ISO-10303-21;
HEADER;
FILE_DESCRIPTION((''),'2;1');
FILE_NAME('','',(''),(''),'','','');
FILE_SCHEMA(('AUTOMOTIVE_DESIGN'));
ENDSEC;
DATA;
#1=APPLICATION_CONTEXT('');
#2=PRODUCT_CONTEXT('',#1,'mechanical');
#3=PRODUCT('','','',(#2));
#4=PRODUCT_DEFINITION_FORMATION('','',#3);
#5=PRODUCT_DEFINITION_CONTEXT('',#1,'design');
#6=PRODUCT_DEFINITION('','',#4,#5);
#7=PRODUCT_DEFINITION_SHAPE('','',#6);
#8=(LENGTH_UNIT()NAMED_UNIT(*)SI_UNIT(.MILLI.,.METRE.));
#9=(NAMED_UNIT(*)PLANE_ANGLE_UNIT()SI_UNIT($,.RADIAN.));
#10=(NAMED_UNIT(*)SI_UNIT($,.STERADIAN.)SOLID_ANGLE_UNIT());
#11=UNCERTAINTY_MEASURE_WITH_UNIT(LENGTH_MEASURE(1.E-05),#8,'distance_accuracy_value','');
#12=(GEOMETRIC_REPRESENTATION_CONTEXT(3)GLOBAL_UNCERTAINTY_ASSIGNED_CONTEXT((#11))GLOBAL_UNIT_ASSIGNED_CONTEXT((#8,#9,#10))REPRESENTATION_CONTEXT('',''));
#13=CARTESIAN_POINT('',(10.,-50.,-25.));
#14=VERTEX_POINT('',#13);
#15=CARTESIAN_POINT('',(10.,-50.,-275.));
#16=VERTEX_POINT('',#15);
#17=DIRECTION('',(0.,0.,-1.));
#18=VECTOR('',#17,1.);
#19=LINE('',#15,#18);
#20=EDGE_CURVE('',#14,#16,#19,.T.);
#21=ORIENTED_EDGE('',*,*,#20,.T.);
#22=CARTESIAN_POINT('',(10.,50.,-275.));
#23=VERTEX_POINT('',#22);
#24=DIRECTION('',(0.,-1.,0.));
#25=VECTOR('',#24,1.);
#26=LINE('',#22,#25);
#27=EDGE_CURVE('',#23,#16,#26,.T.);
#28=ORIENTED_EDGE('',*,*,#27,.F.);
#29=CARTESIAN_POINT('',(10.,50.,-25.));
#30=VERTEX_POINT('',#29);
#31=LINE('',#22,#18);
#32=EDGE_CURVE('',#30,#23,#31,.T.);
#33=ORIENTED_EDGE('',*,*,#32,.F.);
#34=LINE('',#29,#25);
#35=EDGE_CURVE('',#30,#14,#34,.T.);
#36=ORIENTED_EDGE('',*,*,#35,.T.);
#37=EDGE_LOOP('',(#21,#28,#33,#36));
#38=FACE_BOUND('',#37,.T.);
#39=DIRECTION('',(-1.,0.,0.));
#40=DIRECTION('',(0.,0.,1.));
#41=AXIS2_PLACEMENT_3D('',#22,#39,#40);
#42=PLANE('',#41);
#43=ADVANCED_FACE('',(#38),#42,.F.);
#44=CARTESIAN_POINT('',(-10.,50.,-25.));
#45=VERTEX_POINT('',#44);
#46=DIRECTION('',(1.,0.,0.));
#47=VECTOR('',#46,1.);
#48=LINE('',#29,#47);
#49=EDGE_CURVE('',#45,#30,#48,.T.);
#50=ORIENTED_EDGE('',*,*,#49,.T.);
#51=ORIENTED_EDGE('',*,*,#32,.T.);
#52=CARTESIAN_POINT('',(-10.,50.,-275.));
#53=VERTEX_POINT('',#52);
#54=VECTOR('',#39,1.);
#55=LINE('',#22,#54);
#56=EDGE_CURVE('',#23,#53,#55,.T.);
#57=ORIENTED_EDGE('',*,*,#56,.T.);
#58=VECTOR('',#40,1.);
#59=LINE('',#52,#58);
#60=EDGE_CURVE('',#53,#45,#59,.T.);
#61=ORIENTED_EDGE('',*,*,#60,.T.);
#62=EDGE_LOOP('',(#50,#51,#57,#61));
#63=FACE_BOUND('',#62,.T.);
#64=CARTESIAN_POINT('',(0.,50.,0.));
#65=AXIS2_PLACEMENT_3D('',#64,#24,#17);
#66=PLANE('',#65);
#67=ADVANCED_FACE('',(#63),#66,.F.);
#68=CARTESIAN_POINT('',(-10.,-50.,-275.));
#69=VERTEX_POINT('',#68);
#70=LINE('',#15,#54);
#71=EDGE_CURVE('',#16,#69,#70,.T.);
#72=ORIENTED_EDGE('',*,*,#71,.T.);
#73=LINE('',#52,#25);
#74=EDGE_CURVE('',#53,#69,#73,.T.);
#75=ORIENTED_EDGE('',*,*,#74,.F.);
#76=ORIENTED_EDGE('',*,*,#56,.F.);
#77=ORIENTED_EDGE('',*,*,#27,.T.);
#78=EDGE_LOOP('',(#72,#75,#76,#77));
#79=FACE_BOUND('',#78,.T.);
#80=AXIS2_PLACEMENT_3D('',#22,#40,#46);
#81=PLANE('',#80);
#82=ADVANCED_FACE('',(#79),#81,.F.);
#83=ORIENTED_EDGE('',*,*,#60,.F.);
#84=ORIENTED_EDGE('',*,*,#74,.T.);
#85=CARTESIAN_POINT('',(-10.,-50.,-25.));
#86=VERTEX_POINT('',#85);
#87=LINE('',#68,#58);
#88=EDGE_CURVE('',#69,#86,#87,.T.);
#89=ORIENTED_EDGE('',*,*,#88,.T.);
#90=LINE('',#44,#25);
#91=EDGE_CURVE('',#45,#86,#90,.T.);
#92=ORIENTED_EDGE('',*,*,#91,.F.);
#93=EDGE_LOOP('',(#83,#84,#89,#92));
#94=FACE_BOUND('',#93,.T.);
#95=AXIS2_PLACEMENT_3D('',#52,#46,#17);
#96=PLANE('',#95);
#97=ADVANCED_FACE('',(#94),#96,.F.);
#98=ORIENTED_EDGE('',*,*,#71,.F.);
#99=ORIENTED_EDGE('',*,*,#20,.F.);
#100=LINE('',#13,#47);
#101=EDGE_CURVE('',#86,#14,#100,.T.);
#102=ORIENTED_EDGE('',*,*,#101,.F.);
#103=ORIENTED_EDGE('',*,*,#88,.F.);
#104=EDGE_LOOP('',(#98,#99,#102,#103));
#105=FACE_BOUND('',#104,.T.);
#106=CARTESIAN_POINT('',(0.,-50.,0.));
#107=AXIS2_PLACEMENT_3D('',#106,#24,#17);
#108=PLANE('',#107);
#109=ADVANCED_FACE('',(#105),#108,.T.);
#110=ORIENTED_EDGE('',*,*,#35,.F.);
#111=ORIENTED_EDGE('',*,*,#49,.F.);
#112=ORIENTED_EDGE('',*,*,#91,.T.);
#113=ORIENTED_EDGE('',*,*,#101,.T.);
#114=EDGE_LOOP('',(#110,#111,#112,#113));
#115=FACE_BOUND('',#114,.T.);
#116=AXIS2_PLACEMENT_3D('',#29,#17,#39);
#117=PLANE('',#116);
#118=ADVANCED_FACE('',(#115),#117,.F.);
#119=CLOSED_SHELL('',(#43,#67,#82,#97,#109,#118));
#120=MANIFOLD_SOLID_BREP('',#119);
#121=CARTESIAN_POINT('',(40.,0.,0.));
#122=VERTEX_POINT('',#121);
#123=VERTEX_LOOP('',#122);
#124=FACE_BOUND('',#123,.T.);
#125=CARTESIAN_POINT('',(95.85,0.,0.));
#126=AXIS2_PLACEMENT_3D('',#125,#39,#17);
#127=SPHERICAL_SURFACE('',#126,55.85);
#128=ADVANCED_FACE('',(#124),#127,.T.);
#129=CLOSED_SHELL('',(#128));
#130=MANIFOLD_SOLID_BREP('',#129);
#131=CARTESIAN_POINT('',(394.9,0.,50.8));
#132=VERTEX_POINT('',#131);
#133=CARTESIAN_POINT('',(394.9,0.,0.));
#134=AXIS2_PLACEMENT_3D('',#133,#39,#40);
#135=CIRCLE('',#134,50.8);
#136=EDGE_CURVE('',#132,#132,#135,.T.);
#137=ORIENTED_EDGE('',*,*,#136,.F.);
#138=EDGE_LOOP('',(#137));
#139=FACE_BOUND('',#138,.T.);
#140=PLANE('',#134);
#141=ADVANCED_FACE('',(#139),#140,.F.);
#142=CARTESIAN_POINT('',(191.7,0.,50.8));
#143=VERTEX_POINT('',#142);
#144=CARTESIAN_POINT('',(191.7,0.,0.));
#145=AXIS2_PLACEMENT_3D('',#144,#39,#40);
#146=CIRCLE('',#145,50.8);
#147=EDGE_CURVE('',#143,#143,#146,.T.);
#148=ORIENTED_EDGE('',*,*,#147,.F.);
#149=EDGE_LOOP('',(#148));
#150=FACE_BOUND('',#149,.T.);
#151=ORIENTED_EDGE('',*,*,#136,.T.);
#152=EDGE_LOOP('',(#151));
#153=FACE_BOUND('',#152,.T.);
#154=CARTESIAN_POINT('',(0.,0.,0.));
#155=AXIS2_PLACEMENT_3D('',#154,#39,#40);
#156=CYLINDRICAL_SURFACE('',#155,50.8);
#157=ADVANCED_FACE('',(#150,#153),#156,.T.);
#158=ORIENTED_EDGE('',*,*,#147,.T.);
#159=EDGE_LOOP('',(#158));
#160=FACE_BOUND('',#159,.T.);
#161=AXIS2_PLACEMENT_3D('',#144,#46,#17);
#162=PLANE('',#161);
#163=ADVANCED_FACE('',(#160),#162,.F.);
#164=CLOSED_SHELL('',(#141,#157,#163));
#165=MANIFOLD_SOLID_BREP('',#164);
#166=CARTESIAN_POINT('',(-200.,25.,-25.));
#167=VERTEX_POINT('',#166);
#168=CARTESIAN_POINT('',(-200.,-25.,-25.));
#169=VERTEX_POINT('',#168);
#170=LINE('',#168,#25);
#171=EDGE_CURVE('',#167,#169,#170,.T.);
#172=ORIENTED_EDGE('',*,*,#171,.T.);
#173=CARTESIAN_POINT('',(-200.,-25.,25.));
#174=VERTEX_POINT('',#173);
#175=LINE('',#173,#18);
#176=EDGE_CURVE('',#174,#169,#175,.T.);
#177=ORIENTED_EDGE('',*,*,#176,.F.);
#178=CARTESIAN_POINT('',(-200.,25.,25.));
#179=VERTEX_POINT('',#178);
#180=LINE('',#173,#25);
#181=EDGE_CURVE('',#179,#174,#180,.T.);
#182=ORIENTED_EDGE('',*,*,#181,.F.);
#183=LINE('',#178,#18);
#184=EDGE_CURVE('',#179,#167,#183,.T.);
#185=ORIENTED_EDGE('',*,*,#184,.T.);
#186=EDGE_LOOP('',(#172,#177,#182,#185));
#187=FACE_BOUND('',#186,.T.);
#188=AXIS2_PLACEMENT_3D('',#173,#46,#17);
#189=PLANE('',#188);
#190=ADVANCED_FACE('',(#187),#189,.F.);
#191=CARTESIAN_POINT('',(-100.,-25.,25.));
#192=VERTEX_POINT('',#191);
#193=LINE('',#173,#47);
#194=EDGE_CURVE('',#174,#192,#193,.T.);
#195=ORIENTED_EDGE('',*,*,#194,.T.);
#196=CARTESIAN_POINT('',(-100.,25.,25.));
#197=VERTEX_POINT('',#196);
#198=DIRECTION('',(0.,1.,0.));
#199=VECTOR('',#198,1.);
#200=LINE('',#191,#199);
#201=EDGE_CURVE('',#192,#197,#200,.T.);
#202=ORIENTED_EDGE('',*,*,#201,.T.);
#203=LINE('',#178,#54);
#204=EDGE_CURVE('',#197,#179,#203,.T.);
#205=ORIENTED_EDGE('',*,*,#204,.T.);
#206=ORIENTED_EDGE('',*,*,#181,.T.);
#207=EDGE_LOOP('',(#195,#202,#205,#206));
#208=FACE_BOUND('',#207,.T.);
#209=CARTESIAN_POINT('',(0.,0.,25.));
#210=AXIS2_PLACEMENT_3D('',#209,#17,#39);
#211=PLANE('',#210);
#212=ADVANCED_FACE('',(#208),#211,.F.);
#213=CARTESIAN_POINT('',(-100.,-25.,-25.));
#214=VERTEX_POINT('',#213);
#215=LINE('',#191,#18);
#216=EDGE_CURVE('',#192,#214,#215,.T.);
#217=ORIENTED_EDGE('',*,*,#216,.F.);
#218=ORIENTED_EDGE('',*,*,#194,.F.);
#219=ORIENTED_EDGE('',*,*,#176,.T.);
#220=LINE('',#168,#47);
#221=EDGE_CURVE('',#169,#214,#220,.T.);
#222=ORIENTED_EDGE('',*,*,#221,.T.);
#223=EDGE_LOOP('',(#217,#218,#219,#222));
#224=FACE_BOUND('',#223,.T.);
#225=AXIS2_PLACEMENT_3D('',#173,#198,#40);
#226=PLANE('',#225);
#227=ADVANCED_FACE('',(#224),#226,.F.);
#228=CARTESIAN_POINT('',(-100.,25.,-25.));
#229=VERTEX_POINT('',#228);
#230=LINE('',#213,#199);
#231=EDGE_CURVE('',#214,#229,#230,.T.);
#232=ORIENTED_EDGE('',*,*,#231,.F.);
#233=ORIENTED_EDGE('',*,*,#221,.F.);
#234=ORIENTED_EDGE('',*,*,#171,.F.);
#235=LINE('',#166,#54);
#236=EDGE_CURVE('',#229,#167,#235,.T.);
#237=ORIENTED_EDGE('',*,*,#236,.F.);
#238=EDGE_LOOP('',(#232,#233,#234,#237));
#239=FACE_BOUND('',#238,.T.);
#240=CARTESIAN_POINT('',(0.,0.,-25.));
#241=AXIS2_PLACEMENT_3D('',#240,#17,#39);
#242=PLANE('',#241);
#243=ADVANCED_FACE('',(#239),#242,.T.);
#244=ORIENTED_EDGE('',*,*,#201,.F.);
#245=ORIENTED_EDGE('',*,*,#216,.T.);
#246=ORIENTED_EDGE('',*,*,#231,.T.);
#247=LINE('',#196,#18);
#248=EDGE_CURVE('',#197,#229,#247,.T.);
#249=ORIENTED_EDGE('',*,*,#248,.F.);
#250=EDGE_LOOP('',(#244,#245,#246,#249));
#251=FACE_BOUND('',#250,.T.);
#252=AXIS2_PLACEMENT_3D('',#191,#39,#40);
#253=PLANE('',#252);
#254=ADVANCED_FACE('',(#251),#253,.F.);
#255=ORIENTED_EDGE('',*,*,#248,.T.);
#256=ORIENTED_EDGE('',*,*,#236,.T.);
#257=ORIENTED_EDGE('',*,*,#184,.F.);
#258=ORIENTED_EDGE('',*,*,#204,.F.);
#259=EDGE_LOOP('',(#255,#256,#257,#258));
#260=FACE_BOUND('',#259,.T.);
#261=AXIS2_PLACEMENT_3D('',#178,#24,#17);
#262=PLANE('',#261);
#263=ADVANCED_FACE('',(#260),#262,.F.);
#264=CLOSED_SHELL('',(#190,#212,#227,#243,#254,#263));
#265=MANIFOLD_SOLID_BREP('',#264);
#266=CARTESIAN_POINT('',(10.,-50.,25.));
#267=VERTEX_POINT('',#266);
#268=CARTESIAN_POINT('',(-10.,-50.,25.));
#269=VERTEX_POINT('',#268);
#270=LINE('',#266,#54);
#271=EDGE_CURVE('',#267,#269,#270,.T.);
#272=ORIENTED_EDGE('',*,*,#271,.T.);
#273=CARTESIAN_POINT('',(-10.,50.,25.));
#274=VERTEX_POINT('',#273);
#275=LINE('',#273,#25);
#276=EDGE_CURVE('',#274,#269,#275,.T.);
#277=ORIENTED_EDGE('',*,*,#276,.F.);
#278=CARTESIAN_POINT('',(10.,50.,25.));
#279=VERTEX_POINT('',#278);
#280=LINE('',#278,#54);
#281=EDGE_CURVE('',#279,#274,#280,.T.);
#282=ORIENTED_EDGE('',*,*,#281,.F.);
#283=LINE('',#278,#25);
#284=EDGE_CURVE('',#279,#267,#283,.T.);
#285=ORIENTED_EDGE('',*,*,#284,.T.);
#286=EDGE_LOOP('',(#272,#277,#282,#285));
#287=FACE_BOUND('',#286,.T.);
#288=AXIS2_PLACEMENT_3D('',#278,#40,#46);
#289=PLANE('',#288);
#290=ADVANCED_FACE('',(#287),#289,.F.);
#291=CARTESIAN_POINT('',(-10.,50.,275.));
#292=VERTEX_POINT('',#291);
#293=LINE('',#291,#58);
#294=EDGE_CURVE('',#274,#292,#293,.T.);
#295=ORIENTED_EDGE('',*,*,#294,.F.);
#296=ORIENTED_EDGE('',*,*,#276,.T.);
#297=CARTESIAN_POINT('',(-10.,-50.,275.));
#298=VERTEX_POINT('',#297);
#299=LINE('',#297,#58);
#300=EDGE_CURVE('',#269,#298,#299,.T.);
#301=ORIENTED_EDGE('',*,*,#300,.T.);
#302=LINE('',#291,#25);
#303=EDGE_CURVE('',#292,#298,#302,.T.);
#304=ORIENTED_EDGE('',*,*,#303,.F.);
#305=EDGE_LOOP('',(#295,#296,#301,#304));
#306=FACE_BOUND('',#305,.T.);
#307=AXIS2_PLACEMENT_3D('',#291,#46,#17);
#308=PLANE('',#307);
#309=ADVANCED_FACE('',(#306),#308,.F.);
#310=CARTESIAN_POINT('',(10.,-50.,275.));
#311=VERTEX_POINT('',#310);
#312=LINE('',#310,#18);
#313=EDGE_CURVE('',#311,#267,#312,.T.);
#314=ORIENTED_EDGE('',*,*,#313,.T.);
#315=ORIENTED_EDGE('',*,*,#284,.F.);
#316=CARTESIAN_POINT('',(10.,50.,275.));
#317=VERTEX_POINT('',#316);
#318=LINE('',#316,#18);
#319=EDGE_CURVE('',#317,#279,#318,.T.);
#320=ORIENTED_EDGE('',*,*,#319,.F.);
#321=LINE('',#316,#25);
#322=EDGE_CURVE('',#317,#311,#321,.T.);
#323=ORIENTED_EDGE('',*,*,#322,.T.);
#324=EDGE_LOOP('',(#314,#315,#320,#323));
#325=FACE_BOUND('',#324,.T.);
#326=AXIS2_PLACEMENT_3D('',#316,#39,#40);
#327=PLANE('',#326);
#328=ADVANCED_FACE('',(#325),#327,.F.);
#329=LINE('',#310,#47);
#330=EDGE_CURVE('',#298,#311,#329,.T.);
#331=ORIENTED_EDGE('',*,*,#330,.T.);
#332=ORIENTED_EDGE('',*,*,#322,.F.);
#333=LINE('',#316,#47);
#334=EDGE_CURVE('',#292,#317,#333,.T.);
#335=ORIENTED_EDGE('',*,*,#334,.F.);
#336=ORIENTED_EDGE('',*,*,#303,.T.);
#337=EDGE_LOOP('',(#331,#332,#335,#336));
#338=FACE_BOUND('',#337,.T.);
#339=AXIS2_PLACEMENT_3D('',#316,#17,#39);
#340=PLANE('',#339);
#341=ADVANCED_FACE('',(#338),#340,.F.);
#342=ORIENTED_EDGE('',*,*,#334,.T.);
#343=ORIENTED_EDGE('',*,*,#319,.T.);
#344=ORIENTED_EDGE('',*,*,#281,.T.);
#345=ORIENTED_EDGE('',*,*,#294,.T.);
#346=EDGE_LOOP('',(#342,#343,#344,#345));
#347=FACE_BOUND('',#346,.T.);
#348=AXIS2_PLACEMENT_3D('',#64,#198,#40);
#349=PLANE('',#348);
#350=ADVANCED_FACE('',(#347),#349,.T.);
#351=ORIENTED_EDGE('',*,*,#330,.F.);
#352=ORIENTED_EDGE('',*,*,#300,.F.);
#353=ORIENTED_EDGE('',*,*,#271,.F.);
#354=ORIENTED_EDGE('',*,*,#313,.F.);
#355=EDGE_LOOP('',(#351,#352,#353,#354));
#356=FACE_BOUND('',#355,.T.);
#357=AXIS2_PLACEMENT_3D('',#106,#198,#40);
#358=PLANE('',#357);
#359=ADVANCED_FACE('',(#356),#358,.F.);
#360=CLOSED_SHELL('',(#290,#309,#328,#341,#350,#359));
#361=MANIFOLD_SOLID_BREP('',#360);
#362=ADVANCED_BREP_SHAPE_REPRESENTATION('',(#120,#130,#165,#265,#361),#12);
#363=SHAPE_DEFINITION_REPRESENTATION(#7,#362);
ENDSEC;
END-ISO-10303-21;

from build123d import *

# Parameters (mm, degrees)
SKETCH2_W             = 100
SKETCH2_H             = 50
BOSS_EXTRUDE2_DEPTH   = 25
SKETCH3_W             = 203.2
SKETCH3_H             = 50.8
SKETCH4_W             = 20
SKETCH4_H             = 250
BOSS_EXTRUDE3_DEPTH   = 50
BOSS_EXTRUDE3_2_DEPTH = 50


with BuildPart() as part:
    # Sketch2 → Boss-Extrude2 (new, symmetric)
    with BuildSketch(Plane.XY):
        with Locations((-150, 0)):
            Rectangle(SKETCH2_W, SKETCH2_H)
    extrude(amount=BOSS_EXTRUDE2_DEPTH, both=True)


with BuildPart() as body_2:
    # Sketch3 → Revolve1 (revolve)
    with BuildSketch(Plane(origin=(0, 0, 0), x_dir=(1, 0, 0), z_dir=(0, 1, 0))):
        with BuildLine():
            Line((40, 0), (151.7, 0))
            ThreePointArc((151.7, 0), (95.85, 55.85), (40, 0))
        make_face()
        with Locations((293.3, 25.4)):
            Rectangle(SKETCH3_W, SKETCH3_H)
    revolve(axis=Axis((0, 0, 0), (1, 0, 0)))


with BuildPart() as body_3:
    # Sketch4 → Boss-Extrude3 (new, symmetric)
    with BuildSketch(Plane(origin=(0, 0, 0), x_dir=(1, 0, 0), z_dir=(0, 1, 0))):
        with Locations((0, 150)):
            Rectangle(SKETCH4_W, SKETCH4_H)
    extrude(amount=BOSS_EXTRUDE3_DEPTH, both=True)


with BuildPart() as body_4:
    # Sketch4 → Boss-Extrude3 2 (new, symmetric)
    with BuildSketch(Plane(origin=(0, 0, 0), x_dir=(1, 0, 0), z_dir=(0, 1, 0))):
        with Locations((0, -150)):
            Rectangle(SKETCH4_W, SKETCH4_H)
    extrude(amount=BOSS_EXTRUDE3_2_DEPTH, both=True)


solid = Compound([part.part, body_2.part, body_3.part, body_4.part])
